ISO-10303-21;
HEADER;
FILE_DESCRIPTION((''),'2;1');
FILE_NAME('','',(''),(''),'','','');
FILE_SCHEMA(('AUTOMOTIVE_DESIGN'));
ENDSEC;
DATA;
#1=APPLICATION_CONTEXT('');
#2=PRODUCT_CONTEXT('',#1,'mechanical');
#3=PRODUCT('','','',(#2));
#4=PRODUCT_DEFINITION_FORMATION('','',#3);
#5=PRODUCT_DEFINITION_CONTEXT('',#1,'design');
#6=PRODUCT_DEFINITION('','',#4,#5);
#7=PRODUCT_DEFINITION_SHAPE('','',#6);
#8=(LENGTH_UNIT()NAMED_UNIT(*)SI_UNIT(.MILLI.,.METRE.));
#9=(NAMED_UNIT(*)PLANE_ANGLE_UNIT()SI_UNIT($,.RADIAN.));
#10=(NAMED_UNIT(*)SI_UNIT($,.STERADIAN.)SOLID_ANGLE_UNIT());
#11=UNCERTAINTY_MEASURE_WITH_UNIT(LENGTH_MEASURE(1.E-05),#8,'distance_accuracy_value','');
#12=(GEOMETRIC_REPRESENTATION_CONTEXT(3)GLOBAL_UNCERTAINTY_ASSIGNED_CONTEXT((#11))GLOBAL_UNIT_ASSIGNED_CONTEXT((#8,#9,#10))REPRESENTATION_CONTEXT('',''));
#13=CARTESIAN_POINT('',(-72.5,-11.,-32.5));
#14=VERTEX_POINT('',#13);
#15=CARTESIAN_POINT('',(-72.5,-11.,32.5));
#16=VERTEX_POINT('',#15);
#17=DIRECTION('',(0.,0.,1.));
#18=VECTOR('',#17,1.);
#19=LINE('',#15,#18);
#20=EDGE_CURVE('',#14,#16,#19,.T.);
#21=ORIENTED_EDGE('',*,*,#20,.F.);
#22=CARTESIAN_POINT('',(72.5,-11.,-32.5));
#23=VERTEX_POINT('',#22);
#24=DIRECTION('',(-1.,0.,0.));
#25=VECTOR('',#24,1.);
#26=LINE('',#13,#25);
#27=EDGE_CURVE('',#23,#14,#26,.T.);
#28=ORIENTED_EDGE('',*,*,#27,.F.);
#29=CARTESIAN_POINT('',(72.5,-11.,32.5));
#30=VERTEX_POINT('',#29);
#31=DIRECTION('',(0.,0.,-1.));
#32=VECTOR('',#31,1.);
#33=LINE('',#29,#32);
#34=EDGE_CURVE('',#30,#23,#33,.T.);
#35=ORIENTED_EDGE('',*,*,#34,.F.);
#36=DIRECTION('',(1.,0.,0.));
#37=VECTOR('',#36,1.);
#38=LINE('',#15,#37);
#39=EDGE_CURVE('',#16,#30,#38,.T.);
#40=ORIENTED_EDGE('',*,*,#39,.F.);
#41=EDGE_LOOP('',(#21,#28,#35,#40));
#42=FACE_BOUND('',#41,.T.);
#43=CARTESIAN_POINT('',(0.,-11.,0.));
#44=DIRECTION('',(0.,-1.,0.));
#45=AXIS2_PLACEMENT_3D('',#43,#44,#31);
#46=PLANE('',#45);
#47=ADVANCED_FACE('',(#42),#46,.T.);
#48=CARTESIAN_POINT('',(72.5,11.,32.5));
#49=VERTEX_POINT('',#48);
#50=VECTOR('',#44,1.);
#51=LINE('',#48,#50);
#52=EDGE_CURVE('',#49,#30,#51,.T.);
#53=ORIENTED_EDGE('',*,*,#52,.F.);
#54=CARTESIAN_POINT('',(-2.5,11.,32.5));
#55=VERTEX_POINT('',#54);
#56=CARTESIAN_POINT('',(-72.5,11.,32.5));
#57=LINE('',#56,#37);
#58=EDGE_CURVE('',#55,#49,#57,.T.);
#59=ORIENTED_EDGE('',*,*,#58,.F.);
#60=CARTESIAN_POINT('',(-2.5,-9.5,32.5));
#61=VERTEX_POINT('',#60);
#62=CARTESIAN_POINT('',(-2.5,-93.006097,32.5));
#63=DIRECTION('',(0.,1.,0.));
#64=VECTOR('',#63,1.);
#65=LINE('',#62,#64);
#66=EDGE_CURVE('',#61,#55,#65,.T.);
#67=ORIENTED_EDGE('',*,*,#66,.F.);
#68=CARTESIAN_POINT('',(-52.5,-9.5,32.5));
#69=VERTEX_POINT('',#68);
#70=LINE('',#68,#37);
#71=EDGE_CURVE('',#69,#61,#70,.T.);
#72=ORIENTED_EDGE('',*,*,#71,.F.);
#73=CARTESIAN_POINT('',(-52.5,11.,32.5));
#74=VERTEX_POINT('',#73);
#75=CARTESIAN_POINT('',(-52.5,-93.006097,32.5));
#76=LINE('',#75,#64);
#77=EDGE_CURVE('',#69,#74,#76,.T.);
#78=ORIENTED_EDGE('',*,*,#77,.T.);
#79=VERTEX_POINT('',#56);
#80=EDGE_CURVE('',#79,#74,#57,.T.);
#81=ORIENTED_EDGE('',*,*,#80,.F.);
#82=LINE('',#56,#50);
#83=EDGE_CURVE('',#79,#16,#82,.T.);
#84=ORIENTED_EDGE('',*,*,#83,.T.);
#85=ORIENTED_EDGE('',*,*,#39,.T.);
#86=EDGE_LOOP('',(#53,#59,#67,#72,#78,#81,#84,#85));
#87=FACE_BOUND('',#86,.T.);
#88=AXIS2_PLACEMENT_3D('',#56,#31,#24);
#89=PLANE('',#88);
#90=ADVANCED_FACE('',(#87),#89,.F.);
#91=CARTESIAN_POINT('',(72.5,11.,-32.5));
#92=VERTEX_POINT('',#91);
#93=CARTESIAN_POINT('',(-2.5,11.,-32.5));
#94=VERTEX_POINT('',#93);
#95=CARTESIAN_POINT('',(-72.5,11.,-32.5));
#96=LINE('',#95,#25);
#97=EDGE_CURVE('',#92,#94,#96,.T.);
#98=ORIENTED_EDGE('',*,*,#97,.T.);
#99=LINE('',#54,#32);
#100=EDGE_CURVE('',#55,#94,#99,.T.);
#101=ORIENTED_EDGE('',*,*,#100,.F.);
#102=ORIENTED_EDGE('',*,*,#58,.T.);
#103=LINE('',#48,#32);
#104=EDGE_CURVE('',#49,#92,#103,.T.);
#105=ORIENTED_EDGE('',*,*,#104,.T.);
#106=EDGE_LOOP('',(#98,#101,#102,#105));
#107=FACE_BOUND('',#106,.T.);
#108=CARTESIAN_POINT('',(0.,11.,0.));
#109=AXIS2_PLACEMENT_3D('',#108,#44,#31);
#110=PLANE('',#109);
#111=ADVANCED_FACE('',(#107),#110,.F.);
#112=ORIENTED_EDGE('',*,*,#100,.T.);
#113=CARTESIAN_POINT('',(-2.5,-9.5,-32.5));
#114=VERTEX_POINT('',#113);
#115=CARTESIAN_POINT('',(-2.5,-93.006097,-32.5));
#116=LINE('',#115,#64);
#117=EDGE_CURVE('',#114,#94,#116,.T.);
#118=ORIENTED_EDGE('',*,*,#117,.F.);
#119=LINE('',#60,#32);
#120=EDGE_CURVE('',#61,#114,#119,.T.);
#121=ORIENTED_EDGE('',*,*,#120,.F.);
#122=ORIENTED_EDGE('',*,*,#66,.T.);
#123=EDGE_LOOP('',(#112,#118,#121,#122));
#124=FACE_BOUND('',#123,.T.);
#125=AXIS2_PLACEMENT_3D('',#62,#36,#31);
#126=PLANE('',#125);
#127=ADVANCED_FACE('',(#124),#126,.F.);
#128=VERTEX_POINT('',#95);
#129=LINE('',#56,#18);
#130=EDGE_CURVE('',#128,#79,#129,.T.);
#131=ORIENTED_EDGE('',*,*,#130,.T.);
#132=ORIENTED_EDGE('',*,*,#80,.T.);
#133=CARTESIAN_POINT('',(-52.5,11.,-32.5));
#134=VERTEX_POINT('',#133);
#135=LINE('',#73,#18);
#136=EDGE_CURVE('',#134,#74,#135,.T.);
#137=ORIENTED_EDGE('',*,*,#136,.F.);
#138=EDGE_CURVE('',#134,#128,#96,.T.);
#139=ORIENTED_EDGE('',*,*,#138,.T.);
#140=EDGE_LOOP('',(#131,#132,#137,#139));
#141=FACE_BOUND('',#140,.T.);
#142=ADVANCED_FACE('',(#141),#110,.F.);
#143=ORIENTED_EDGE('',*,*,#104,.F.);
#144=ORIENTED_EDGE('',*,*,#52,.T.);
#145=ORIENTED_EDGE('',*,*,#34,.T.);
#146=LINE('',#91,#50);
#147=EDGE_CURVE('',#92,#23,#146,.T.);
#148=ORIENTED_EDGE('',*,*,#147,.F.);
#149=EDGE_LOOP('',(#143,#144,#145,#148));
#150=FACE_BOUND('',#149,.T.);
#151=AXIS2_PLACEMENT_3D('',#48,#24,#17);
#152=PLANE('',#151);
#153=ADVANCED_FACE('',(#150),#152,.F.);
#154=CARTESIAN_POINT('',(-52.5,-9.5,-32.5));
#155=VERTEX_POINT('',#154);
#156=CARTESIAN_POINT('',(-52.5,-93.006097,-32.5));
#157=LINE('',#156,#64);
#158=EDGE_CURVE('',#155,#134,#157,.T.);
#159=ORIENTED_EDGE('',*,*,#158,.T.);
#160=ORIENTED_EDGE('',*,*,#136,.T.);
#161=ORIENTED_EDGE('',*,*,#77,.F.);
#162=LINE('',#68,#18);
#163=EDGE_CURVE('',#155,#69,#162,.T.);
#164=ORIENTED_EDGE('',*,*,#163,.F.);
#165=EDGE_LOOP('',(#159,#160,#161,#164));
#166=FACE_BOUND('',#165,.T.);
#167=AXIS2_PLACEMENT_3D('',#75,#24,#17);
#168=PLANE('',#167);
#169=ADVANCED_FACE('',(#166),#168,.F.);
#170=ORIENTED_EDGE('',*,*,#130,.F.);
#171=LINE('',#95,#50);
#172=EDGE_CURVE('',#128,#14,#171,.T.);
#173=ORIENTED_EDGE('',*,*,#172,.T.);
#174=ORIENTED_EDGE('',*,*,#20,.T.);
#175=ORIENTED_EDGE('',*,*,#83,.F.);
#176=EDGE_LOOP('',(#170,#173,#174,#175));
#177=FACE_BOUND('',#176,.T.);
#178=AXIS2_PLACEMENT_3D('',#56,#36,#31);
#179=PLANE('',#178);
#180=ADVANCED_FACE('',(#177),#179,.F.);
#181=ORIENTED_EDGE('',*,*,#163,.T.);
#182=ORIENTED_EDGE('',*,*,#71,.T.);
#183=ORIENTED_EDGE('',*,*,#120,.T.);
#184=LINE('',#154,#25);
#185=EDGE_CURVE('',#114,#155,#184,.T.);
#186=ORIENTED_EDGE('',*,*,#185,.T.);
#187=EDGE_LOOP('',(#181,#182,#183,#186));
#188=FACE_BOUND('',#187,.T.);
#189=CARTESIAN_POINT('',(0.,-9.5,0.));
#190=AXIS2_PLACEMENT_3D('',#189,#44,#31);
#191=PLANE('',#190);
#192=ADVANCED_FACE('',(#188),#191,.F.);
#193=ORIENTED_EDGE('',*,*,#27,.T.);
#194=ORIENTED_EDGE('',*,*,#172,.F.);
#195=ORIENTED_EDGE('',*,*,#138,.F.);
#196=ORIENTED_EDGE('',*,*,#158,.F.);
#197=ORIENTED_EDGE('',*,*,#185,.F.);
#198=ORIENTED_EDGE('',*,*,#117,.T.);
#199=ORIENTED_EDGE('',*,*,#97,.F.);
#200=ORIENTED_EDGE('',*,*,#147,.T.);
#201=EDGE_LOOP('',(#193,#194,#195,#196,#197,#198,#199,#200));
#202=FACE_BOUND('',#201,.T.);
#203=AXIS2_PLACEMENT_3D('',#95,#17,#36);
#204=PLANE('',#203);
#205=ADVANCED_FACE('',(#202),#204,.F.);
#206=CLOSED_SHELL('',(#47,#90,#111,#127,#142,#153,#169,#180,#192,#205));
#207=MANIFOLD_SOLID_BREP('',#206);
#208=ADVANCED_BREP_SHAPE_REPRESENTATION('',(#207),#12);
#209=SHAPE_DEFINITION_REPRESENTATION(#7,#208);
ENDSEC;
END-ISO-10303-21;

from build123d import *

# Parameters (mm, degrees)
SKETCH1_W           = 145
SKETCH1_H           = 65
BOSS_EXTRUDE1_DEPTH = 11
SKETCH2_W           = 50
SKETCH2_H           = 65
CUT_EXTRUDE1_DEPTH  = 20.5


with BuildPart() as part:
    # Sketch1 → Boss-Extrude1 (new body, symmetric)
    with BuildSketch(Plane(origin=(0, 0, 0), x_dir=(1, 0, 0), z_dir=(0, 1, 0))):
        Rectangle(SKETCH1_W, SKETCH1_H)
    extrude(amount=BOSS_EXTRUDE1_DEPTH, both=True)

    # Sketch2 → Cut-Extrude1 (cut)
    with BuildSketch(Plane(origin=(0, 11, 0), x_dir=(1, 0, 0), z_dir=(0, 1, 0))):
        with Locations((-27.5, 0)):
            Rectangle(SKETCH2_W, SKETCH2_H)
    extrude(amount=-CUT_EXTRUDE1_DEPTH, mode=Mode.SUBTRACT)


solid = part.part
